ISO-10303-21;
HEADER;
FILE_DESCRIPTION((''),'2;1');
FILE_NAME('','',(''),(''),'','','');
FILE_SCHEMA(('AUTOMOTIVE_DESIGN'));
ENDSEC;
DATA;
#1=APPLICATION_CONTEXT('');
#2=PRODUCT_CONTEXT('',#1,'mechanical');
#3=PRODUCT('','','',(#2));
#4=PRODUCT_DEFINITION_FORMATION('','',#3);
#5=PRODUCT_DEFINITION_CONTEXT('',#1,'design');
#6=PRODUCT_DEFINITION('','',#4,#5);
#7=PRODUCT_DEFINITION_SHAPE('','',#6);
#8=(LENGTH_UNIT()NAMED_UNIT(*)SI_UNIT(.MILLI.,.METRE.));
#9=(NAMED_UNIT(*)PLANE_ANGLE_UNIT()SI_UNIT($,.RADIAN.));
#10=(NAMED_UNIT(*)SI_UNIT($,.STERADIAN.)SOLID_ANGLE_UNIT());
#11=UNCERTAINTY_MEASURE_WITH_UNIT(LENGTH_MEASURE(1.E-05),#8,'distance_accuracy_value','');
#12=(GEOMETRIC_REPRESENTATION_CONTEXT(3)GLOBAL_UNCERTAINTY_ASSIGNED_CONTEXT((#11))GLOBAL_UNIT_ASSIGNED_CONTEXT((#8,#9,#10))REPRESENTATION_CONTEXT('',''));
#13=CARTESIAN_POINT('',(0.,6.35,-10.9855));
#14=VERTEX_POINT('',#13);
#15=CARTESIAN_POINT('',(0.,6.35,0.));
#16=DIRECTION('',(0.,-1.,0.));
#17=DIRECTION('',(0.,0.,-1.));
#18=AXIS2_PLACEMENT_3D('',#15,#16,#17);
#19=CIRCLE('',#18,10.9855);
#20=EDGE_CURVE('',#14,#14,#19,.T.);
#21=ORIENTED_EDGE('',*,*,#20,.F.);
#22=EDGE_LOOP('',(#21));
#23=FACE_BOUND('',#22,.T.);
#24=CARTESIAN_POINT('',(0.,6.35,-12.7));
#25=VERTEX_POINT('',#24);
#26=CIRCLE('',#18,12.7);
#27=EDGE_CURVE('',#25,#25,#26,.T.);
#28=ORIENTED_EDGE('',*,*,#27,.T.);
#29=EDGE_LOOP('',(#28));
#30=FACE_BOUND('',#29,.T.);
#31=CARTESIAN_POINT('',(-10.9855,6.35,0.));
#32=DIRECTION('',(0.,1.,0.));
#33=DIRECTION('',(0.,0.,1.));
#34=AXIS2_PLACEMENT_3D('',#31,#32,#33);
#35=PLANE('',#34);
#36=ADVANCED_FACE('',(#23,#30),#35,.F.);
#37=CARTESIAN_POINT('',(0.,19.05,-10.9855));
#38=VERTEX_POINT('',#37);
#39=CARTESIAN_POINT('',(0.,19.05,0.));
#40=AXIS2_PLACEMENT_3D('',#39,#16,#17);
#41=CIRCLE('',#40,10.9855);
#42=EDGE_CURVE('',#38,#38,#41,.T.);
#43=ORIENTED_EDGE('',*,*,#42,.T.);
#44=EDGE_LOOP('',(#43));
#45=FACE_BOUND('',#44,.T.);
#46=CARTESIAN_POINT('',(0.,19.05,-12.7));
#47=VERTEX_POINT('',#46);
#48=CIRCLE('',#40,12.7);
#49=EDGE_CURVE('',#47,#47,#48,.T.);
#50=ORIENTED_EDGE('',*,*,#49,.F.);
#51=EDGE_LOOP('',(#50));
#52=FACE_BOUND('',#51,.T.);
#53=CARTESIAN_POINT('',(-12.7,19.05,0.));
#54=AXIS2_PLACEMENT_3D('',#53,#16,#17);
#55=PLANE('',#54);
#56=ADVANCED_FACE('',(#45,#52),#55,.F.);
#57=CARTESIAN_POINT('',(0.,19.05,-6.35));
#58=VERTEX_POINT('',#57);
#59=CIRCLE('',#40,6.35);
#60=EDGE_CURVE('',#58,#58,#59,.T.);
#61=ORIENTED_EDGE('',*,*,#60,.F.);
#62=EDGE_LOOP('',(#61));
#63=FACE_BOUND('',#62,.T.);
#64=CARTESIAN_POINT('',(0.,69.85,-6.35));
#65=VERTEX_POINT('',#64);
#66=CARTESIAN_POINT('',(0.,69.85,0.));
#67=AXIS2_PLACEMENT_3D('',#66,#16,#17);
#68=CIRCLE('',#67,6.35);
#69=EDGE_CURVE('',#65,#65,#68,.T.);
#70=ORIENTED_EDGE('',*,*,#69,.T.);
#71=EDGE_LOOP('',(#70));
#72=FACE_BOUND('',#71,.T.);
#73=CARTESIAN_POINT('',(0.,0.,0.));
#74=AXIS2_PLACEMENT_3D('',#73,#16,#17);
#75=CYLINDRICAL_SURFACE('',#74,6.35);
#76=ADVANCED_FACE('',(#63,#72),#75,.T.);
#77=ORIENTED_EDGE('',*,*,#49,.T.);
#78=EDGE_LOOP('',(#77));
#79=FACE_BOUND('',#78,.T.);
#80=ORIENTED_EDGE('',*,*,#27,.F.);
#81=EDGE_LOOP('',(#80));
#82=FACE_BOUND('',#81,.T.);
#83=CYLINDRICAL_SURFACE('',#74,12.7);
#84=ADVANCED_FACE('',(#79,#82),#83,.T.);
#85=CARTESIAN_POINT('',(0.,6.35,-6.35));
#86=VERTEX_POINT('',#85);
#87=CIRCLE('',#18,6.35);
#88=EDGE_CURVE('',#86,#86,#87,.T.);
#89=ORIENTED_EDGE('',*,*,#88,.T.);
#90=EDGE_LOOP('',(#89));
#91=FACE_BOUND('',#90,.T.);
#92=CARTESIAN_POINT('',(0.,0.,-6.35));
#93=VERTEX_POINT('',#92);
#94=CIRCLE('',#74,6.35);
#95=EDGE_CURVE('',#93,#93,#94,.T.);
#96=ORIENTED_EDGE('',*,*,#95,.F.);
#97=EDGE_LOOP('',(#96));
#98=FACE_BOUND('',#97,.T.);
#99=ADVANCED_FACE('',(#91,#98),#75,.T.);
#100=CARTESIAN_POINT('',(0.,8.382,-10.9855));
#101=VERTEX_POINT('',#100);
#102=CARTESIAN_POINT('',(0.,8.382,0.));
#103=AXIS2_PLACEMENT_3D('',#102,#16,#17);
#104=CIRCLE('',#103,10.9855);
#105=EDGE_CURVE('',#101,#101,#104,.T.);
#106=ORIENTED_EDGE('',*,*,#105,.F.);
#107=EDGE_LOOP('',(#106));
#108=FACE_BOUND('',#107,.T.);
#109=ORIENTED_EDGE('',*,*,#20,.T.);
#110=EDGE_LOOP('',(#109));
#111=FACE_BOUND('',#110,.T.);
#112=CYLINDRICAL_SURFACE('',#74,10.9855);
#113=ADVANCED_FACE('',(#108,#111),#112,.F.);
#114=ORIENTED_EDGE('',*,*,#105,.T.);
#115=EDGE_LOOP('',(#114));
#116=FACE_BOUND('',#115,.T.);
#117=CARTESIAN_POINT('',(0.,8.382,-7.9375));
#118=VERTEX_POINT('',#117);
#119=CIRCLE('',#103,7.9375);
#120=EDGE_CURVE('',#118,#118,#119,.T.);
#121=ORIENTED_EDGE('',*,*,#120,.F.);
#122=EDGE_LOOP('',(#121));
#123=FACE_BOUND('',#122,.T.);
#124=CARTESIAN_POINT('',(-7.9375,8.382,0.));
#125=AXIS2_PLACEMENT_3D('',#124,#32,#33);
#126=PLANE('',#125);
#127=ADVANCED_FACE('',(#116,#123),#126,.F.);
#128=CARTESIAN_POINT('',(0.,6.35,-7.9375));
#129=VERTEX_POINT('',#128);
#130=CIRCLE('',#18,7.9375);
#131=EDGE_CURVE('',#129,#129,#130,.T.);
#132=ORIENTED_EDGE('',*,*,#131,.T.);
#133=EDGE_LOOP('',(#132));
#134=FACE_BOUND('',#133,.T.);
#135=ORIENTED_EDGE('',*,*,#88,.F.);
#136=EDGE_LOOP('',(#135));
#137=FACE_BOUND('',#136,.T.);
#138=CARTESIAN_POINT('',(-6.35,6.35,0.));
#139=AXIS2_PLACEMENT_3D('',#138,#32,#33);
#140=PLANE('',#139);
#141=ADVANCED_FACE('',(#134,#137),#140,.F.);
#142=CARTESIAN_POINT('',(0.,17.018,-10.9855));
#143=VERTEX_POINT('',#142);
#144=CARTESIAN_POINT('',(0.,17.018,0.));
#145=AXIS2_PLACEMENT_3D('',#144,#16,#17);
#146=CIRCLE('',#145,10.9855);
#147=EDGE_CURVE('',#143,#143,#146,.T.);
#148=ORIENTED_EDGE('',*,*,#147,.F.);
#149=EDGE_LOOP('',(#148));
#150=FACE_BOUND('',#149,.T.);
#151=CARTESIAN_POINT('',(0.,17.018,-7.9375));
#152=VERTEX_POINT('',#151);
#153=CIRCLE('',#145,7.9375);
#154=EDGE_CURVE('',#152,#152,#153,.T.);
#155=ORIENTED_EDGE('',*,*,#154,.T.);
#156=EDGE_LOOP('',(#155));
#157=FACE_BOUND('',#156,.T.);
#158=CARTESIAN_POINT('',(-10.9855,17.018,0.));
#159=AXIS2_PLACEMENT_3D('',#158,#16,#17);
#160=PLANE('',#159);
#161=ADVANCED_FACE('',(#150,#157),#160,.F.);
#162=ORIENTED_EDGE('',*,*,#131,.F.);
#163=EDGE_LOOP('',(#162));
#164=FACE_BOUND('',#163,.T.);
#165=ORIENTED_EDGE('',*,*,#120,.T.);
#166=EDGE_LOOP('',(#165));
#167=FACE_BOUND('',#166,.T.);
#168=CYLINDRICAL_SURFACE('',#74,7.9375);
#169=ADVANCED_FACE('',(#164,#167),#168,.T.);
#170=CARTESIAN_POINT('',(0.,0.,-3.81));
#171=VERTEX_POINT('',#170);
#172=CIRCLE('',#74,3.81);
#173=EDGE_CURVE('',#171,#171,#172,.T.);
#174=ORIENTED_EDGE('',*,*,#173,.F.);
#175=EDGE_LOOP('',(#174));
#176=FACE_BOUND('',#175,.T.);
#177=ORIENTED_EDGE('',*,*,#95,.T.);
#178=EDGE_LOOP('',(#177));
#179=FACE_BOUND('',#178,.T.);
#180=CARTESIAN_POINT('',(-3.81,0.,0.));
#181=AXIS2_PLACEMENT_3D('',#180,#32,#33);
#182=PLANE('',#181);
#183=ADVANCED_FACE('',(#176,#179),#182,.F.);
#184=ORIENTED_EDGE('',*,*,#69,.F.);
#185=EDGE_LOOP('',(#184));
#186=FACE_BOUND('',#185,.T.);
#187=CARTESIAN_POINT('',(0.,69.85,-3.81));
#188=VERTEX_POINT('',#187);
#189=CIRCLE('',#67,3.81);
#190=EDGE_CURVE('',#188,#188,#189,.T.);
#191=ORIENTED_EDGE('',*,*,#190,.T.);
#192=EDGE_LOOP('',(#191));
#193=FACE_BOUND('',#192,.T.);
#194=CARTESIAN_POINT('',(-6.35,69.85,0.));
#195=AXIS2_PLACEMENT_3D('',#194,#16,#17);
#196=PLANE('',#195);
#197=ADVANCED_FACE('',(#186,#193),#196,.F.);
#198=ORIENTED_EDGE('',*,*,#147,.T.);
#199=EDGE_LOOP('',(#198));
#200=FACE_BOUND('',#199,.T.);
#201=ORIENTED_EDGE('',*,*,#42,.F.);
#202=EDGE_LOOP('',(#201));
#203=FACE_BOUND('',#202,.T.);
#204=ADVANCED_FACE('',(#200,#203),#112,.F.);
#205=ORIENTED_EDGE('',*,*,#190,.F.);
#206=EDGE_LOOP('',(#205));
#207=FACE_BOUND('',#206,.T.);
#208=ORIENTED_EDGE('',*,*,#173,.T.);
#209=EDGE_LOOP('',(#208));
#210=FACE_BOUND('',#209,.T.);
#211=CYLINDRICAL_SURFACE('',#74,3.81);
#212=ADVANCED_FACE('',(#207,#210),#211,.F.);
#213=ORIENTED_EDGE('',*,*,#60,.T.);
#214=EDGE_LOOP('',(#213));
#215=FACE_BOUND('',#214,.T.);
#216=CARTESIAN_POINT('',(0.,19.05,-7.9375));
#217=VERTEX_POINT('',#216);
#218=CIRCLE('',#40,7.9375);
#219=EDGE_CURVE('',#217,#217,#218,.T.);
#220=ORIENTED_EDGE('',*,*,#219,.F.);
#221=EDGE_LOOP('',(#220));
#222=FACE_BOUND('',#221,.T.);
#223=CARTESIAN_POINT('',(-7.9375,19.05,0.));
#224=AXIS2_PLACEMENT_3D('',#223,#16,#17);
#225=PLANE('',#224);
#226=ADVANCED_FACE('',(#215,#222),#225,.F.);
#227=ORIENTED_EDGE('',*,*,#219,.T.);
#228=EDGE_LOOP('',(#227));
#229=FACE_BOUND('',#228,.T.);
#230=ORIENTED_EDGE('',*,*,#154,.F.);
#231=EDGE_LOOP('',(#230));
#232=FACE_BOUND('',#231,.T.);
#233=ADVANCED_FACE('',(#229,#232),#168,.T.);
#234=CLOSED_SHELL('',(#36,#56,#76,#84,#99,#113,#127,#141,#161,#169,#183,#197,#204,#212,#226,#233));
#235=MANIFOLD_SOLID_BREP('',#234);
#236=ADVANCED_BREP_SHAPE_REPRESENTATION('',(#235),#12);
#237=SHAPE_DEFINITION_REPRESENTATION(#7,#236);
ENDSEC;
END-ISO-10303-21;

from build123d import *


with BuildPart() as part:
    # Sketch1 → Revolve1 (revolve)
    with BuildSketch(Plane.XY):
        Polygon((-3.81, 0), (-6.35, 0), (-6.35, 6.35), (-7.9375, 6.35), (-7.9375, 8.382), (-10.9855, 8.382), (-10.9855, 6.35), (-12.7, 6.35), (-12.7, 19.05), (-10.9855, 19.05), (-10.9855, 17.018), (-7.9375, 17.018), (-7.9375, 19.05), (-6.35, 19.05), (-6.35, 69.85), (-3.81, 69.85), align=None)
    revolve(axis=Axis((0, 0, 0), (0, 1, 0)))


solid = part.part
